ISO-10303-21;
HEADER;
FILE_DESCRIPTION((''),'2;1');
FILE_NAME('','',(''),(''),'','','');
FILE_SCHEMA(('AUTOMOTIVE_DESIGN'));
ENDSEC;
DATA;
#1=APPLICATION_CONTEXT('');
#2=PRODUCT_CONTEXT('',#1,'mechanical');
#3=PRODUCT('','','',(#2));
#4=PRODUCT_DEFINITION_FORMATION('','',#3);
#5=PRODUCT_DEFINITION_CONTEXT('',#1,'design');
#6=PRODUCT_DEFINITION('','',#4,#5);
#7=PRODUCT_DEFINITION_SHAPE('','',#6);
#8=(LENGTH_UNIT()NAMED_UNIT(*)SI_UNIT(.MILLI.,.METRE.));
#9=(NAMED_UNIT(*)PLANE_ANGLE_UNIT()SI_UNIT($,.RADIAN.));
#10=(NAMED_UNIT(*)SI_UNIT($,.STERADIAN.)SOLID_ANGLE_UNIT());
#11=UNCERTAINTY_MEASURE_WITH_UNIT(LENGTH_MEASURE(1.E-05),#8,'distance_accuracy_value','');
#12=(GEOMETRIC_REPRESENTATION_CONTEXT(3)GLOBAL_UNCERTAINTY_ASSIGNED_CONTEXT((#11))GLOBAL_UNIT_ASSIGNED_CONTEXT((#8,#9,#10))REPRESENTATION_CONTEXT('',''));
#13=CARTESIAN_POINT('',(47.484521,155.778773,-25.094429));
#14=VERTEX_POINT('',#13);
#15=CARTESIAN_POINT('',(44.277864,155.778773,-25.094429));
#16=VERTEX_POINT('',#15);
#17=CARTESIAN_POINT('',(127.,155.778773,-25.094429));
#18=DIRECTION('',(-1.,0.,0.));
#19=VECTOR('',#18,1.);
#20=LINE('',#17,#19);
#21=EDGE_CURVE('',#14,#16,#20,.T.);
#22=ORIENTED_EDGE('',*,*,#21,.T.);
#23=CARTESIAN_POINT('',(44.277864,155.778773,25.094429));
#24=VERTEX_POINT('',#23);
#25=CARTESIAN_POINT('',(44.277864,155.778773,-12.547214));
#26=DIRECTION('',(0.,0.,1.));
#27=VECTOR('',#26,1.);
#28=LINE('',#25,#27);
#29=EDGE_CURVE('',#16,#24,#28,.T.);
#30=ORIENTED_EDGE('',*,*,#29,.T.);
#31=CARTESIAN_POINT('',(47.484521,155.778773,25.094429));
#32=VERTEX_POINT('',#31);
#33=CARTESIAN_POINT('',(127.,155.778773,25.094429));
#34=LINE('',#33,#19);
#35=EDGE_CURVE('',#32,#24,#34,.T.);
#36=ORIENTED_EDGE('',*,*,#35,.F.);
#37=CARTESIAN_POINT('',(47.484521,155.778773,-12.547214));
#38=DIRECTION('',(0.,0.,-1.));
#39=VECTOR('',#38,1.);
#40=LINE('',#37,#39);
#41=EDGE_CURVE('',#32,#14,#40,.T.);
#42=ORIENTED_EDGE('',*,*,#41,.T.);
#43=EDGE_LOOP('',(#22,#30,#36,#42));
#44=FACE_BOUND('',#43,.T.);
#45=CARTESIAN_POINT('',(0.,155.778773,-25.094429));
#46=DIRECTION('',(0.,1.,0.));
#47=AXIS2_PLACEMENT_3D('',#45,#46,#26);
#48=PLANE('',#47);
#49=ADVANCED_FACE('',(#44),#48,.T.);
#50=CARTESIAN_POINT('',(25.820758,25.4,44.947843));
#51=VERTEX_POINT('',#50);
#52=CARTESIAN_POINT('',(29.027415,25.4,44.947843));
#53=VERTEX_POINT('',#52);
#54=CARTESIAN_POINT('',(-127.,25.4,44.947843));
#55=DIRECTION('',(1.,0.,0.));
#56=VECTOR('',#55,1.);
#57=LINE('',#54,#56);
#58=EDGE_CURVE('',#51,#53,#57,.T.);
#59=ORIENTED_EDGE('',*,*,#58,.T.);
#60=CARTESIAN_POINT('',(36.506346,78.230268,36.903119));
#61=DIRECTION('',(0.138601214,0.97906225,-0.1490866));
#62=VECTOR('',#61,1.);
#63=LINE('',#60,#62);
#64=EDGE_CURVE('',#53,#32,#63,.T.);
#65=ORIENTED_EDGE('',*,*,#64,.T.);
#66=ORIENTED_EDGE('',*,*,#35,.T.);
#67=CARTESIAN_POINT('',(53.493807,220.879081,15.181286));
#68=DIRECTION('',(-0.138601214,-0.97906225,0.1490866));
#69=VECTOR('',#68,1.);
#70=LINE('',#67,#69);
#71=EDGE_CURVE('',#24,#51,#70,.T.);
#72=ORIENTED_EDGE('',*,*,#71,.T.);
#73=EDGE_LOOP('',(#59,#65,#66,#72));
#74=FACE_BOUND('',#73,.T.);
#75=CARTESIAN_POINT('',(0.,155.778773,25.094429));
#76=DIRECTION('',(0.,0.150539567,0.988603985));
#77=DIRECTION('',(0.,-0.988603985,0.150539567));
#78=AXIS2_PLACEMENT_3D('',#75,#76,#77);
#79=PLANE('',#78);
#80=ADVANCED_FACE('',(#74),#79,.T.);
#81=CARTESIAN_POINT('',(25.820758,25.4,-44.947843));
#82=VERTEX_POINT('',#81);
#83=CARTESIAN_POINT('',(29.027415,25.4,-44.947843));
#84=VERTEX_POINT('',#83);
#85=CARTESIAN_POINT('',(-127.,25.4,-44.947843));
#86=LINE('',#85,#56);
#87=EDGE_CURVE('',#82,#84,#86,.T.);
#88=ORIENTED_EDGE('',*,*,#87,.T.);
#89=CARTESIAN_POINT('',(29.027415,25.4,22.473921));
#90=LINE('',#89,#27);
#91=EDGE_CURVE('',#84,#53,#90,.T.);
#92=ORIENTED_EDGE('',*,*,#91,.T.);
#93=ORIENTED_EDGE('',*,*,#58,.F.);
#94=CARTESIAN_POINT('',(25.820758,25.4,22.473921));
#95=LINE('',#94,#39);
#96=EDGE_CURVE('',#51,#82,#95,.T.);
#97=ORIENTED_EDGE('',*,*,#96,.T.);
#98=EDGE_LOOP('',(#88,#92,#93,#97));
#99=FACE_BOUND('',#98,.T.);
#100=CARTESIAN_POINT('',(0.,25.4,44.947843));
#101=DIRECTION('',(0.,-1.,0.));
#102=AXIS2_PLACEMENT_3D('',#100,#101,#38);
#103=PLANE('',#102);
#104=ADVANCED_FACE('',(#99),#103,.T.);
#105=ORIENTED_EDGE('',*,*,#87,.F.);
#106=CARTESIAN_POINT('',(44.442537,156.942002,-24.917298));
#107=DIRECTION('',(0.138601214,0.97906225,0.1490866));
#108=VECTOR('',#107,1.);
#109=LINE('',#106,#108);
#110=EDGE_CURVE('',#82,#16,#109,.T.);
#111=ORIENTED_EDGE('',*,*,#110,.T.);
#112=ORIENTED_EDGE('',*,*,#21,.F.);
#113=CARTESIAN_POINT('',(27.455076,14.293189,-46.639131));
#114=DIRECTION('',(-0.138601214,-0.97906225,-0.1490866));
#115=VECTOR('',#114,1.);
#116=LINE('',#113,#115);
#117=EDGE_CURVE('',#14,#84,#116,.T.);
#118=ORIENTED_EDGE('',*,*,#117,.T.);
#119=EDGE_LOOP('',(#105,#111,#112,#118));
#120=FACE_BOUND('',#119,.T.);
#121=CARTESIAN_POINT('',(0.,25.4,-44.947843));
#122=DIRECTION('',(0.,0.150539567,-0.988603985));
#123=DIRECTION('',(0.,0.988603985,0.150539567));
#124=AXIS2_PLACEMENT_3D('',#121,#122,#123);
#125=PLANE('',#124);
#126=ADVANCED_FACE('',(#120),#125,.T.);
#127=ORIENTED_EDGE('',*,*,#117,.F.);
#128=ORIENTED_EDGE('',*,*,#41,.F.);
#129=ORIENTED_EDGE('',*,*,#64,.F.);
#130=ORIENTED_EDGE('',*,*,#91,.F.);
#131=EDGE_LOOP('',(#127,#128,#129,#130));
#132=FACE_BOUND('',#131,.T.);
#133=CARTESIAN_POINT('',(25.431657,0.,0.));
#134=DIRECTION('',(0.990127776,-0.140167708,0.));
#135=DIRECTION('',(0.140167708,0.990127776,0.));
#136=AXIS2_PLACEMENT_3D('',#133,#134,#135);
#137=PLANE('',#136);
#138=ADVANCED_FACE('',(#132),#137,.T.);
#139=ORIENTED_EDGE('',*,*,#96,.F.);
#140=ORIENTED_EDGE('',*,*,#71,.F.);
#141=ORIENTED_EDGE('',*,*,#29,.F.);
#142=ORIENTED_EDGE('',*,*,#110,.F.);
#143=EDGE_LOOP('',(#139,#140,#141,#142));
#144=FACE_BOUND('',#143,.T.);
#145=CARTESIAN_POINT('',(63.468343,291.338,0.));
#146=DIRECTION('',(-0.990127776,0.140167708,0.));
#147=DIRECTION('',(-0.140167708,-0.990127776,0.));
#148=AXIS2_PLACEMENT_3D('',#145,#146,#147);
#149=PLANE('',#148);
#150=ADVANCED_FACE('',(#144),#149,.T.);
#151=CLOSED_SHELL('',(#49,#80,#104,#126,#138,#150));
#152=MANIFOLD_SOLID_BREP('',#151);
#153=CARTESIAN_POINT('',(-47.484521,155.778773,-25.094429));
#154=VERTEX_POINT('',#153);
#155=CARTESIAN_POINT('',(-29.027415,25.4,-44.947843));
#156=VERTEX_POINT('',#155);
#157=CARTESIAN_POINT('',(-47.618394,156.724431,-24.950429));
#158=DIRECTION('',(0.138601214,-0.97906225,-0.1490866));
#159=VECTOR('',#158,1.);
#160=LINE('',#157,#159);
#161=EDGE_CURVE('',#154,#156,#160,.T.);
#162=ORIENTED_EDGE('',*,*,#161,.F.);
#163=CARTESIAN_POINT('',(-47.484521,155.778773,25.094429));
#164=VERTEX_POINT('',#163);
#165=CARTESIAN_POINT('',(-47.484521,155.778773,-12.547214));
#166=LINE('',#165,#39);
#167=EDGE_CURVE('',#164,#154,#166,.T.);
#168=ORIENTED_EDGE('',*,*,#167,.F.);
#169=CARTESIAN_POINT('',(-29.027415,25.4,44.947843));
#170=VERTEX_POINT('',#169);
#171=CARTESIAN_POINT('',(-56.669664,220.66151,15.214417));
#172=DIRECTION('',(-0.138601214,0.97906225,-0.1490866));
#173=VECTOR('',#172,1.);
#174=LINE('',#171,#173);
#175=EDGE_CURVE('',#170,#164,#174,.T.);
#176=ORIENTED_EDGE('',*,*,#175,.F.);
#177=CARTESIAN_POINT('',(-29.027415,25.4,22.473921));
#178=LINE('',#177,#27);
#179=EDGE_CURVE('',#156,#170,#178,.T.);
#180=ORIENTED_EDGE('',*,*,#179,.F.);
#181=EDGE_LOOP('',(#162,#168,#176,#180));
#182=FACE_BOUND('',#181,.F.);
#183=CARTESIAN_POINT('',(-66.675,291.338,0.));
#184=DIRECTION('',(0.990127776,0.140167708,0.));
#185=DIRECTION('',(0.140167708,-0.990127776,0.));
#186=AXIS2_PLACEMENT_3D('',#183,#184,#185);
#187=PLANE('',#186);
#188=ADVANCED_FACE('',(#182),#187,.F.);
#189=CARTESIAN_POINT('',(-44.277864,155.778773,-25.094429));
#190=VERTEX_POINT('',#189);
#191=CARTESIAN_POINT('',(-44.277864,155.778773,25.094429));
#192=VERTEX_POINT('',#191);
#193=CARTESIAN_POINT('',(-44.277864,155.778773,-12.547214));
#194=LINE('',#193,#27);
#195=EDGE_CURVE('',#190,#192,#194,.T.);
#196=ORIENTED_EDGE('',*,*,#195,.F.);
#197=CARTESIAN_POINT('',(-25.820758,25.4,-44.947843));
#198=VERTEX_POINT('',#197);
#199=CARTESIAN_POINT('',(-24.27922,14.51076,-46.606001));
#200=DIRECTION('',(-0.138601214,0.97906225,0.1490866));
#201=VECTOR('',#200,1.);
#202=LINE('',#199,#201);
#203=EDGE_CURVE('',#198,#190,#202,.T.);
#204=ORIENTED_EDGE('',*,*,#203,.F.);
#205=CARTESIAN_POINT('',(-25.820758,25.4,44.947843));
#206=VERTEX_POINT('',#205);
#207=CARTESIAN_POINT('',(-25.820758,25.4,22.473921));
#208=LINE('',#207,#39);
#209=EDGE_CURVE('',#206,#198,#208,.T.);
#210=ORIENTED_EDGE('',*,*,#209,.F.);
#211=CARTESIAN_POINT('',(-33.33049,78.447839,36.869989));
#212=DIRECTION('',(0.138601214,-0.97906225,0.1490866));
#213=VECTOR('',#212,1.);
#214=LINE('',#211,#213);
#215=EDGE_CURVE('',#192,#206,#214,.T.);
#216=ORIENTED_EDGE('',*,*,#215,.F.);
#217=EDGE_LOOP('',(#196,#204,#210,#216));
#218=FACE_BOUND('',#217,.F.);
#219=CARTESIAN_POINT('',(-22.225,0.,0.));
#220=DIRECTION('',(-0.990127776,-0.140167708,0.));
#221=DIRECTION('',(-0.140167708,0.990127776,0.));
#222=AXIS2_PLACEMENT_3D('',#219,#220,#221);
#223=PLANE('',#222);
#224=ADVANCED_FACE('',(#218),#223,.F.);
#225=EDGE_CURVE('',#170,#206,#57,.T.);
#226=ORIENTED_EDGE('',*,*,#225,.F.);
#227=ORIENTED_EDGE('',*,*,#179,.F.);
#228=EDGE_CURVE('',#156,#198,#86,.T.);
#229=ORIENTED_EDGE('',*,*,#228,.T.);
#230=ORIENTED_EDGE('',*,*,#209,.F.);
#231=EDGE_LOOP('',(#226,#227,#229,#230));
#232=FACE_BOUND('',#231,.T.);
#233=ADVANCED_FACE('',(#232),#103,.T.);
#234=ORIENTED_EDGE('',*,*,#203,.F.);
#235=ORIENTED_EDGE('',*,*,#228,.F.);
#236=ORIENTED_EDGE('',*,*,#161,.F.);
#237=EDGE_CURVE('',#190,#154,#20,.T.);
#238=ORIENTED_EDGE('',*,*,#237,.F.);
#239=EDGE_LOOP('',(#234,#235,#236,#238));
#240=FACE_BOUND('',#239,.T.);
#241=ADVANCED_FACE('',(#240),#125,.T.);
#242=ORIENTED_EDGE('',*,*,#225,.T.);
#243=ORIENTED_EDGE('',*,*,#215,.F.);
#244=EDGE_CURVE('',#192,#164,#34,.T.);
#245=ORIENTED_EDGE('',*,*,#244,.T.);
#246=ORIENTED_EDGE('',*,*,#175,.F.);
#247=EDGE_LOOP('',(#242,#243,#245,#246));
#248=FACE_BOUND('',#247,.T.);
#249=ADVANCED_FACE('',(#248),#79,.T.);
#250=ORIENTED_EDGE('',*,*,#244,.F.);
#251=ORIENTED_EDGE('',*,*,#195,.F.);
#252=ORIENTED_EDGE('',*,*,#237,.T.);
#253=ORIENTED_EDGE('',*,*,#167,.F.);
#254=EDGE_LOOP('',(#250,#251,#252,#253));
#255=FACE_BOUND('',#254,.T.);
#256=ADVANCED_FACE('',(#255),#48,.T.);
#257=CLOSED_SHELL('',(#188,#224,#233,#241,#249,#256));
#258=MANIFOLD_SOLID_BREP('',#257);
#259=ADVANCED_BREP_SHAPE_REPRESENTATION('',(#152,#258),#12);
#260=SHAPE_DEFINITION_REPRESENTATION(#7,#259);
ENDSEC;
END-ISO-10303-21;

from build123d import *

# Parameters (mm, degrees)
F1_DEPTH = 127
F3_DEPTH = 50.8


with BuildPart() as f1:
    # F0 (on Right) → F1 (new body, symmetric)
    with BuildSketch(Plane.YZ):
        Polygon((155.7787731835, 25.0944288613), (25.4, 44.9478426982), (25.4, -44.9478426982), (155.7787731835, -25.0944288613), align=None)
    extrude(amount=F1_DEPTH, both=True)

    # F2 (on Top) → F3 (intersect, symmetric)
    with BuildSketch(Plane.XY):
        Polygon((-63.4683431669, 291.338), (-66.675, 291.338), (-25.4316568331, 0), (-22.225, 0), align=None)
        Polygon((66.675, 291.338), (63.4683431669, 291.338), (22.225, 0), (25.4316568331, 0), align=None)
    extrude(amount=F3_DEPTH, both=True, mode=Mode.INTERSECT)


solid = f1.part
